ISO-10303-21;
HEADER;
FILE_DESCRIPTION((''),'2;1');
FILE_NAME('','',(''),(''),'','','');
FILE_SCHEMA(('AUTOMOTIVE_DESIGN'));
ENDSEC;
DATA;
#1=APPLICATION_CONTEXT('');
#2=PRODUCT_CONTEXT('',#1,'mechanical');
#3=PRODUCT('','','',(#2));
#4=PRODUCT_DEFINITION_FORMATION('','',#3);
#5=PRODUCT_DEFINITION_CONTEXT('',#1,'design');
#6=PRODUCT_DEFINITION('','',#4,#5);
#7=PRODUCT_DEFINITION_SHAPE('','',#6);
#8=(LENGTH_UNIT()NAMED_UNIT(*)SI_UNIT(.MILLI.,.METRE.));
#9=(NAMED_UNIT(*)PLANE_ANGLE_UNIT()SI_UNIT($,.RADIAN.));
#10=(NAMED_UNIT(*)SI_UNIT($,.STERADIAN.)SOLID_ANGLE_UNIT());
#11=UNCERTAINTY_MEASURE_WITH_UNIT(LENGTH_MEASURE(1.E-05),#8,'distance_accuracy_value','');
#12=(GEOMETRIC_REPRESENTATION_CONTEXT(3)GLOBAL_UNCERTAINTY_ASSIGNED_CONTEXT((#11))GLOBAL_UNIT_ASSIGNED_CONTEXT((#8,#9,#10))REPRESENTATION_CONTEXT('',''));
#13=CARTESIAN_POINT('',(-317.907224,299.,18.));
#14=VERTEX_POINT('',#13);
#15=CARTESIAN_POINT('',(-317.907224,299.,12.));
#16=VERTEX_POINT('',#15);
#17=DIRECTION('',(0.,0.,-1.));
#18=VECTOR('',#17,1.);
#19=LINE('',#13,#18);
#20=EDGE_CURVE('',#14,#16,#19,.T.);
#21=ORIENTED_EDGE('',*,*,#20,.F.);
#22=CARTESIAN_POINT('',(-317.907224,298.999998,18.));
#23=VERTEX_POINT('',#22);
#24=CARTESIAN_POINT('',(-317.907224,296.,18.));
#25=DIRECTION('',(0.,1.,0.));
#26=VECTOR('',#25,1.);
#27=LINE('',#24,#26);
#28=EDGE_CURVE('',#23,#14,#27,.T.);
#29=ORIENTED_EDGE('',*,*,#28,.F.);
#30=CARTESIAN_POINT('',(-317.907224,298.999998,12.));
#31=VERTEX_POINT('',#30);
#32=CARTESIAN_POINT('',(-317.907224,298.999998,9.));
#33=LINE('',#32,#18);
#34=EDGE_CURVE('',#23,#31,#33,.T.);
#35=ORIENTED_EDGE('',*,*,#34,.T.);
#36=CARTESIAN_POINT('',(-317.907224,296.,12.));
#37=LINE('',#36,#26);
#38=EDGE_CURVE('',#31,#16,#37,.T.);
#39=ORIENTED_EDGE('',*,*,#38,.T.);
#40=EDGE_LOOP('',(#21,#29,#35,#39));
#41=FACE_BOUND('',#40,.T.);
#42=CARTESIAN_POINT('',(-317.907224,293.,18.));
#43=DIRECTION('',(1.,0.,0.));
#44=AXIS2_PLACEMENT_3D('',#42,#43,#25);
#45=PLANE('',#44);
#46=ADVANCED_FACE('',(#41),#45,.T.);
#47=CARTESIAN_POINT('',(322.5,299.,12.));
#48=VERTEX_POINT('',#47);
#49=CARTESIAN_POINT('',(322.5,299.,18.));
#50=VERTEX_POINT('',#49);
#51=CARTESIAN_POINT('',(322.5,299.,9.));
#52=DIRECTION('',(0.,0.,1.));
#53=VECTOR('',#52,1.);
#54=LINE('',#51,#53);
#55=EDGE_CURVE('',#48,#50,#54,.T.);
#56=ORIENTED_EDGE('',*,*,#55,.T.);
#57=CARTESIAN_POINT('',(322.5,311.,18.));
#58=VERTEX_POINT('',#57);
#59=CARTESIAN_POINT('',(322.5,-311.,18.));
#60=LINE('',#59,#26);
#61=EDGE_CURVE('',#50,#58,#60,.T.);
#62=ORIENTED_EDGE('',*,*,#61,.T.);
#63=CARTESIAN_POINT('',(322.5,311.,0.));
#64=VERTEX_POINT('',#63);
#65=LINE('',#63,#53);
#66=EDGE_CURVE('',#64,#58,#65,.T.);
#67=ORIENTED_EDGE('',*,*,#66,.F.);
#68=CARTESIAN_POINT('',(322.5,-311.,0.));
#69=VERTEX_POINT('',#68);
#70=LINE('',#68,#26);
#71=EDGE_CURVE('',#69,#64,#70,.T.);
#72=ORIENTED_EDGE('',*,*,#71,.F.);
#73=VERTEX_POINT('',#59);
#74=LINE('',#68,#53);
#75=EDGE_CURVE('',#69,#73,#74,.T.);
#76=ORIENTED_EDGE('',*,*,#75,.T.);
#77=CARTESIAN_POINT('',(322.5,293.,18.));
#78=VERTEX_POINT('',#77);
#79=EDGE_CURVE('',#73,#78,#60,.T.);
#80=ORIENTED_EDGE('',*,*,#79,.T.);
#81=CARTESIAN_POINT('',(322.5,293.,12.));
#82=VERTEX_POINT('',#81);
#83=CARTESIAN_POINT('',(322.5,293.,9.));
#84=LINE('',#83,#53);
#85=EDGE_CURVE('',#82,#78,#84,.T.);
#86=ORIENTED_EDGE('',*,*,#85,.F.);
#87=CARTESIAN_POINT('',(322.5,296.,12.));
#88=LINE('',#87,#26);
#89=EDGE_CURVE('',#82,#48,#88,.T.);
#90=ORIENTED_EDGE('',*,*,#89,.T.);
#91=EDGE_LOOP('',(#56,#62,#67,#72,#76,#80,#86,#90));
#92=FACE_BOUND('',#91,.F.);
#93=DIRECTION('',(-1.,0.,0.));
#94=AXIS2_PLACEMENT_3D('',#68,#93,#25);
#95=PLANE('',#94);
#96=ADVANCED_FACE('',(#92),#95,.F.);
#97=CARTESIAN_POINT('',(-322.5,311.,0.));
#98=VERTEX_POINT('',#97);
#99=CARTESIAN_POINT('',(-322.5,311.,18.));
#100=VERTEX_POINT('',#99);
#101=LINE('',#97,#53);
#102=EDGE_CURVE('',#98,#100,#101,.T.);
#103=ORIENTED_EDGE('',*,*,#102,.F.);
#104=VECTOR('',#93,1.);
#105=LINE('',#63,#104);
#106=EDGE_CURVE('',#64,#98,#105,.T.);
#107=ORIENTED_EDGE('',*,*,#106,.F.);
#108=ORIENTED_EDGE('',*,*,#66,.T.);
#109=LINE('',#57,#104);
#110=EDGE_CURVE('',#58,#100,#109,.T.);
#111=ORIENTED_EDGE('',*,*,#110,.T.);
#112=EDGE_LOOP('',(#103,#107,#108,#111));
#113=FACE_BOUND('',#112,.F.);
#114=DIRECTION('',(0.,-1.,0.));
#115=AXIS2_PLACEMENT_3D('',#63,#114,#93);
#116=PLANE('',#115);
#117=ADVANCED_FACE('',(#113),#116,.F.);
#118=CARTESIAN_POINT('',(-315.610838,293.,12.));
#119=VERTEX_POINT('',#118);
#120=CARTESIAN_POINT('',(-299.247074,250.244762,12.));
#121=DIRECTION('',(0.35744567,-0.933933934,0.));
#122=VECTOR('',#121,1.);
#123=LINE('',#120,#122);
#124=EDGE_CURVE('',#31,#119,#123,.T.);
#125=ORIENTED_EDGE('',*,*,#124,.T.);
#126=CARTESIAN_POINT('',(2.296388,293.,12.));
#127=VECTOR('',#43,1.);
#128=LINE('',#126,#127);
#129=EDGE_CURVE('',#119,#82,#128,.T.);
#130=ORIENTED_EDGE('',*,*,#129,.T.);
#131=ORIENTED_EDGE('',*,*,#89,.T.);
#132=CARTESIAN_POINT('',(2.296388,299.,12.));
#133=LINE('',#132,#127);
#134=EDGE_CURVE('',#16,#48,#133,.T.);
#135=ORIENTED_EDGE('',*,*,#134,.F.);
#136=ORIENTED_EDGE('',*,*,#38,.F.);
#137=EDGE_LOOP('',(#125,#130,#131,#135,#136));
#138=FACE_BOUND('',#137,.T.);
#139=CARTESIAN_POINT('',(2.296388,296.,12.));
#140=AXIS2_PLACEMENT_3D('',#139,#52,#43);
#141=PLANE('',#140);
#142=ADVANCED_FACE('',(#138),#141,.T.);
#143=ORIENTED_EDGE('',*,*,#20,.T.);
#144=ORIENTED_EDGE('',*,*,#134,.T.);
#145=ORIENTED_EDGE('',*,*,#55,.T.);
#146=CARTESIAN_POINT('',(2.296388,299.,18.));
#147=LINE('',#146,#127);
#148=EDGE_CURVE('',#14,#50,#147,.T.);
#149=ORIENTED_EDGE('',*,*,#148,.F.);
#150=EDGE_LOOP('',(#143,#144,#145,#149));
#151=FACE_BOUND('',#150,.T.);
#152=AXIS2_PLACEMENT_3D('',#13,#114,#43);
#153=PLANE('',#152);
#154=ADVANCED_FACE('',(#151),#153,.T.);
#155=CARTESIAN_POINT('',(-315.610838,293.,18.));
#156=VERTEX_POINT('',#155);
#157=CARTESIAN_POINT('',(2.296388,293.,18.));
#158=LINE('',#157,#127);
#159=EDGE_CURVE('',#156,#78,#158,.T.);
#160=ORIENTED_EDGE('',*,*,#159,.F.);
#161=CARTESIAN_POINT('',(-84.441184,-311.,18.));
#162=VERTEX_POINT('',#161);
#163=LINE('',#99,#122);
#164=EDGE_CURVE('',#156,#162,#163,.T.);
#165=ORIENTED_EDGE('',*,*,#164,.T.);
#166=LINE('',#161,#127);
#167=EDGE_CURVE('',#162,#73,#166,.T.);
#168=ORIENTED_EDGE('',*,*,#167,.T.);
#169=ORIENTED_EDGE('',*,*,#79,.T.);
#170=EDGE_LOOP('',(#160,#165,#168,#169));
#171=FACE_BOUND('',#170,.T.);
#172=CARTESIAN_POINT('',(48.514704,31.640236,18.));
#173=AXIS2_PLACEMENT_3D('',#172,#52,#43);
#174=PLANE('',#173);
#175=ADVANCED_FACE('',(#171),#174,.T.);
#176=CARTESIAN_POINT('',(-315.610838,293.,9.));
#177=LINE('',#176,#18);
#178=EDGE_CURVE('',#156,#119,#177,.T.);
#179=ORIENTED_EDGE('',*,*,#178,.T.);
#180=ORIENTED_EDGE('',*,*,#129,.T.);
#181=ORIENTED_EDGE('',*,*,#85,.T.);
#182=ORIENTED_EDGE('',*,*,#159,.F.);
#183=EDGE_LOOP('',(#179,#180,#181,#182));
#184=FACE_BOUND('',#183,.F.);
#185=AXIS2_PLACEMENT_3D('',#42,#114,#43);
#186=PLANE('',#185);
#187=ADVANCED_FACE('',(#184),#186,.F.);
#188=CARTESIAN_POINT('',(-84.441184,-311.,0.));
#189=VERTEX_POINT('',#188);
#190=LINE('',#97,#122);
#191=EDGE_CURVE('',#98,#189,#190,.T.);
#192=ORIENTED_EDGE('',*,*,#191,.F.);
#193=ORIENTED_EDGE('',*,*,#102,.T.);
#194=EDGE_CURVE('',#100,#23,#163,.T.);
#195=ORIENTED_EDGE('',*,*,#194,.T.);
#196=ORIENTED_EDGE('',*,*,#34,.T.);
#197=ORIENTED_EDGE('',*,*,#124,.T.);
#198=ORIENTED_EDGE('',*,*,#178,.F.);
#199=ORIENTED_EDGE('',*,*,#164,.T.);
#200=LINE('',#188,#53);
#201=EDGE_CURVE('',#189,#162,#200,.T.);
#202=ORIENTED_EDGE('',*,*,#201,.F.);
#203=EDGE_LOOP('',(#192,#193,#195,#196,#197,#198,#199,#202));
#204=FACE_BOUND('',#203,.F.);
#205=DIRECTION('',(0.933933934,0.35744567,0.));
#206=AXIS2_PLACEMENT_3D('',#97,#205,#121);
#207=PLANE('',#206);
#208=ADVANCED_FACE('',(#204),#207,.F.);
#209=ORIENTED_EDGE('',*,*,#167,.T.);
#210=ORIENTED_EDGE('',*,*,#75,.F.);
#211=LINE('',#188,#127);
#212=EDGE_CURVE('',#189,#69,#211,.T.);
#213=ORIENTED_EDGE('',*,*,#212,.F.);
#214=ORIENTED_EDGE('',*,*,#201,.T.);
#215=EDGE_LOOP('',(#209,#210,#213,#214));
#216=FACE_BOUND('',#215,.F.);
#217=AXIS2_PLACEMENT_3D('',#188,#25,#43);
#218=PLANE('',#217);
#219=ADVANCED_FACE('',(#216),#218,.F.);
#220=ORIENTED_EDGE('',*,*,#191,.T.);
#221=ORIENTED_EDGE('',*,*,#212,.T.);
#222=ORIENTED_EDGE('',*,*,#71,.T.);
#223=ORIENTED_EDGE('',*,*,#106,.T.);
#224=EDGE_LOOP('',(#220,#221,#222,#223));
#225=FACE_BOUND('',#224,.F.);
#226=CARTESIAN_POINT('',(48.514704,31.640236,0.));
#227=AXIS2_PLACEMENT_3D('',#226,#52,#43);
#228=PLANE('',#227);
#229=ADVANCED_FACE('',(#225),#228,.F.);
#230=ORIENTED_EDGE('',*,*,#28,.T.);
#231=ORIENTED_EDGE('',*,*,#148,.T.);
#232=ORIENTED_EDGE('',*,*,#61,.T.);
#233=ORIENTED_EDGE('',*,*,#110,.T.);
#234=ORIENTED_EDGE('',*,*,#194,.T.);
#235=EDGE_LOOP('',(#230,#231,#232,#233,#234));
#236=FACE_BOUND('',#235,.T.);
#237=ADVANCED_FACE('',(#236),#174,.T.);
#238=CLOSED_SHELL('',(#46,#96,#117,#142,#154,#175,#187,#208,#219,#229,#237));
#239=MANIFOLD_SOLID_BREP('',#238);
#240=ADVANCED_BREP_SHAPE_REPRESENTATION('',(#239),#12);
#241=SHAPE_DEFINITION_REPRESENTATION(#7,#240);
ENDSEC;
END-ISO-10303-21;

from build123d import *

# Parameters (mm, degrees)
F1_DEPTH = 18
F2_W     = 640.407225
F2_H     = 6
F3_DEPTH = 6


with BuildPart() as f1:
    # F0 (on Top) → F1 (new body)
    with BuildSketch(Plane.XY):
        Polygon((322.5, -311), (322.5, 311), (-322.5, 311), (-84.441184, -311), align=None)
    extrude(amount=F1_DEPTH)

    # F2 (on face) → F3 (cut)
    with BuildSketch(Plane.XY.offset(18)):
        with Locations((2.296388, 296)):
            Rectangle(F2_W, F2_H)
    extrude(amount=-F3_DEPTH, mode=Mode.SUBTRACT)


solid = f1.part
